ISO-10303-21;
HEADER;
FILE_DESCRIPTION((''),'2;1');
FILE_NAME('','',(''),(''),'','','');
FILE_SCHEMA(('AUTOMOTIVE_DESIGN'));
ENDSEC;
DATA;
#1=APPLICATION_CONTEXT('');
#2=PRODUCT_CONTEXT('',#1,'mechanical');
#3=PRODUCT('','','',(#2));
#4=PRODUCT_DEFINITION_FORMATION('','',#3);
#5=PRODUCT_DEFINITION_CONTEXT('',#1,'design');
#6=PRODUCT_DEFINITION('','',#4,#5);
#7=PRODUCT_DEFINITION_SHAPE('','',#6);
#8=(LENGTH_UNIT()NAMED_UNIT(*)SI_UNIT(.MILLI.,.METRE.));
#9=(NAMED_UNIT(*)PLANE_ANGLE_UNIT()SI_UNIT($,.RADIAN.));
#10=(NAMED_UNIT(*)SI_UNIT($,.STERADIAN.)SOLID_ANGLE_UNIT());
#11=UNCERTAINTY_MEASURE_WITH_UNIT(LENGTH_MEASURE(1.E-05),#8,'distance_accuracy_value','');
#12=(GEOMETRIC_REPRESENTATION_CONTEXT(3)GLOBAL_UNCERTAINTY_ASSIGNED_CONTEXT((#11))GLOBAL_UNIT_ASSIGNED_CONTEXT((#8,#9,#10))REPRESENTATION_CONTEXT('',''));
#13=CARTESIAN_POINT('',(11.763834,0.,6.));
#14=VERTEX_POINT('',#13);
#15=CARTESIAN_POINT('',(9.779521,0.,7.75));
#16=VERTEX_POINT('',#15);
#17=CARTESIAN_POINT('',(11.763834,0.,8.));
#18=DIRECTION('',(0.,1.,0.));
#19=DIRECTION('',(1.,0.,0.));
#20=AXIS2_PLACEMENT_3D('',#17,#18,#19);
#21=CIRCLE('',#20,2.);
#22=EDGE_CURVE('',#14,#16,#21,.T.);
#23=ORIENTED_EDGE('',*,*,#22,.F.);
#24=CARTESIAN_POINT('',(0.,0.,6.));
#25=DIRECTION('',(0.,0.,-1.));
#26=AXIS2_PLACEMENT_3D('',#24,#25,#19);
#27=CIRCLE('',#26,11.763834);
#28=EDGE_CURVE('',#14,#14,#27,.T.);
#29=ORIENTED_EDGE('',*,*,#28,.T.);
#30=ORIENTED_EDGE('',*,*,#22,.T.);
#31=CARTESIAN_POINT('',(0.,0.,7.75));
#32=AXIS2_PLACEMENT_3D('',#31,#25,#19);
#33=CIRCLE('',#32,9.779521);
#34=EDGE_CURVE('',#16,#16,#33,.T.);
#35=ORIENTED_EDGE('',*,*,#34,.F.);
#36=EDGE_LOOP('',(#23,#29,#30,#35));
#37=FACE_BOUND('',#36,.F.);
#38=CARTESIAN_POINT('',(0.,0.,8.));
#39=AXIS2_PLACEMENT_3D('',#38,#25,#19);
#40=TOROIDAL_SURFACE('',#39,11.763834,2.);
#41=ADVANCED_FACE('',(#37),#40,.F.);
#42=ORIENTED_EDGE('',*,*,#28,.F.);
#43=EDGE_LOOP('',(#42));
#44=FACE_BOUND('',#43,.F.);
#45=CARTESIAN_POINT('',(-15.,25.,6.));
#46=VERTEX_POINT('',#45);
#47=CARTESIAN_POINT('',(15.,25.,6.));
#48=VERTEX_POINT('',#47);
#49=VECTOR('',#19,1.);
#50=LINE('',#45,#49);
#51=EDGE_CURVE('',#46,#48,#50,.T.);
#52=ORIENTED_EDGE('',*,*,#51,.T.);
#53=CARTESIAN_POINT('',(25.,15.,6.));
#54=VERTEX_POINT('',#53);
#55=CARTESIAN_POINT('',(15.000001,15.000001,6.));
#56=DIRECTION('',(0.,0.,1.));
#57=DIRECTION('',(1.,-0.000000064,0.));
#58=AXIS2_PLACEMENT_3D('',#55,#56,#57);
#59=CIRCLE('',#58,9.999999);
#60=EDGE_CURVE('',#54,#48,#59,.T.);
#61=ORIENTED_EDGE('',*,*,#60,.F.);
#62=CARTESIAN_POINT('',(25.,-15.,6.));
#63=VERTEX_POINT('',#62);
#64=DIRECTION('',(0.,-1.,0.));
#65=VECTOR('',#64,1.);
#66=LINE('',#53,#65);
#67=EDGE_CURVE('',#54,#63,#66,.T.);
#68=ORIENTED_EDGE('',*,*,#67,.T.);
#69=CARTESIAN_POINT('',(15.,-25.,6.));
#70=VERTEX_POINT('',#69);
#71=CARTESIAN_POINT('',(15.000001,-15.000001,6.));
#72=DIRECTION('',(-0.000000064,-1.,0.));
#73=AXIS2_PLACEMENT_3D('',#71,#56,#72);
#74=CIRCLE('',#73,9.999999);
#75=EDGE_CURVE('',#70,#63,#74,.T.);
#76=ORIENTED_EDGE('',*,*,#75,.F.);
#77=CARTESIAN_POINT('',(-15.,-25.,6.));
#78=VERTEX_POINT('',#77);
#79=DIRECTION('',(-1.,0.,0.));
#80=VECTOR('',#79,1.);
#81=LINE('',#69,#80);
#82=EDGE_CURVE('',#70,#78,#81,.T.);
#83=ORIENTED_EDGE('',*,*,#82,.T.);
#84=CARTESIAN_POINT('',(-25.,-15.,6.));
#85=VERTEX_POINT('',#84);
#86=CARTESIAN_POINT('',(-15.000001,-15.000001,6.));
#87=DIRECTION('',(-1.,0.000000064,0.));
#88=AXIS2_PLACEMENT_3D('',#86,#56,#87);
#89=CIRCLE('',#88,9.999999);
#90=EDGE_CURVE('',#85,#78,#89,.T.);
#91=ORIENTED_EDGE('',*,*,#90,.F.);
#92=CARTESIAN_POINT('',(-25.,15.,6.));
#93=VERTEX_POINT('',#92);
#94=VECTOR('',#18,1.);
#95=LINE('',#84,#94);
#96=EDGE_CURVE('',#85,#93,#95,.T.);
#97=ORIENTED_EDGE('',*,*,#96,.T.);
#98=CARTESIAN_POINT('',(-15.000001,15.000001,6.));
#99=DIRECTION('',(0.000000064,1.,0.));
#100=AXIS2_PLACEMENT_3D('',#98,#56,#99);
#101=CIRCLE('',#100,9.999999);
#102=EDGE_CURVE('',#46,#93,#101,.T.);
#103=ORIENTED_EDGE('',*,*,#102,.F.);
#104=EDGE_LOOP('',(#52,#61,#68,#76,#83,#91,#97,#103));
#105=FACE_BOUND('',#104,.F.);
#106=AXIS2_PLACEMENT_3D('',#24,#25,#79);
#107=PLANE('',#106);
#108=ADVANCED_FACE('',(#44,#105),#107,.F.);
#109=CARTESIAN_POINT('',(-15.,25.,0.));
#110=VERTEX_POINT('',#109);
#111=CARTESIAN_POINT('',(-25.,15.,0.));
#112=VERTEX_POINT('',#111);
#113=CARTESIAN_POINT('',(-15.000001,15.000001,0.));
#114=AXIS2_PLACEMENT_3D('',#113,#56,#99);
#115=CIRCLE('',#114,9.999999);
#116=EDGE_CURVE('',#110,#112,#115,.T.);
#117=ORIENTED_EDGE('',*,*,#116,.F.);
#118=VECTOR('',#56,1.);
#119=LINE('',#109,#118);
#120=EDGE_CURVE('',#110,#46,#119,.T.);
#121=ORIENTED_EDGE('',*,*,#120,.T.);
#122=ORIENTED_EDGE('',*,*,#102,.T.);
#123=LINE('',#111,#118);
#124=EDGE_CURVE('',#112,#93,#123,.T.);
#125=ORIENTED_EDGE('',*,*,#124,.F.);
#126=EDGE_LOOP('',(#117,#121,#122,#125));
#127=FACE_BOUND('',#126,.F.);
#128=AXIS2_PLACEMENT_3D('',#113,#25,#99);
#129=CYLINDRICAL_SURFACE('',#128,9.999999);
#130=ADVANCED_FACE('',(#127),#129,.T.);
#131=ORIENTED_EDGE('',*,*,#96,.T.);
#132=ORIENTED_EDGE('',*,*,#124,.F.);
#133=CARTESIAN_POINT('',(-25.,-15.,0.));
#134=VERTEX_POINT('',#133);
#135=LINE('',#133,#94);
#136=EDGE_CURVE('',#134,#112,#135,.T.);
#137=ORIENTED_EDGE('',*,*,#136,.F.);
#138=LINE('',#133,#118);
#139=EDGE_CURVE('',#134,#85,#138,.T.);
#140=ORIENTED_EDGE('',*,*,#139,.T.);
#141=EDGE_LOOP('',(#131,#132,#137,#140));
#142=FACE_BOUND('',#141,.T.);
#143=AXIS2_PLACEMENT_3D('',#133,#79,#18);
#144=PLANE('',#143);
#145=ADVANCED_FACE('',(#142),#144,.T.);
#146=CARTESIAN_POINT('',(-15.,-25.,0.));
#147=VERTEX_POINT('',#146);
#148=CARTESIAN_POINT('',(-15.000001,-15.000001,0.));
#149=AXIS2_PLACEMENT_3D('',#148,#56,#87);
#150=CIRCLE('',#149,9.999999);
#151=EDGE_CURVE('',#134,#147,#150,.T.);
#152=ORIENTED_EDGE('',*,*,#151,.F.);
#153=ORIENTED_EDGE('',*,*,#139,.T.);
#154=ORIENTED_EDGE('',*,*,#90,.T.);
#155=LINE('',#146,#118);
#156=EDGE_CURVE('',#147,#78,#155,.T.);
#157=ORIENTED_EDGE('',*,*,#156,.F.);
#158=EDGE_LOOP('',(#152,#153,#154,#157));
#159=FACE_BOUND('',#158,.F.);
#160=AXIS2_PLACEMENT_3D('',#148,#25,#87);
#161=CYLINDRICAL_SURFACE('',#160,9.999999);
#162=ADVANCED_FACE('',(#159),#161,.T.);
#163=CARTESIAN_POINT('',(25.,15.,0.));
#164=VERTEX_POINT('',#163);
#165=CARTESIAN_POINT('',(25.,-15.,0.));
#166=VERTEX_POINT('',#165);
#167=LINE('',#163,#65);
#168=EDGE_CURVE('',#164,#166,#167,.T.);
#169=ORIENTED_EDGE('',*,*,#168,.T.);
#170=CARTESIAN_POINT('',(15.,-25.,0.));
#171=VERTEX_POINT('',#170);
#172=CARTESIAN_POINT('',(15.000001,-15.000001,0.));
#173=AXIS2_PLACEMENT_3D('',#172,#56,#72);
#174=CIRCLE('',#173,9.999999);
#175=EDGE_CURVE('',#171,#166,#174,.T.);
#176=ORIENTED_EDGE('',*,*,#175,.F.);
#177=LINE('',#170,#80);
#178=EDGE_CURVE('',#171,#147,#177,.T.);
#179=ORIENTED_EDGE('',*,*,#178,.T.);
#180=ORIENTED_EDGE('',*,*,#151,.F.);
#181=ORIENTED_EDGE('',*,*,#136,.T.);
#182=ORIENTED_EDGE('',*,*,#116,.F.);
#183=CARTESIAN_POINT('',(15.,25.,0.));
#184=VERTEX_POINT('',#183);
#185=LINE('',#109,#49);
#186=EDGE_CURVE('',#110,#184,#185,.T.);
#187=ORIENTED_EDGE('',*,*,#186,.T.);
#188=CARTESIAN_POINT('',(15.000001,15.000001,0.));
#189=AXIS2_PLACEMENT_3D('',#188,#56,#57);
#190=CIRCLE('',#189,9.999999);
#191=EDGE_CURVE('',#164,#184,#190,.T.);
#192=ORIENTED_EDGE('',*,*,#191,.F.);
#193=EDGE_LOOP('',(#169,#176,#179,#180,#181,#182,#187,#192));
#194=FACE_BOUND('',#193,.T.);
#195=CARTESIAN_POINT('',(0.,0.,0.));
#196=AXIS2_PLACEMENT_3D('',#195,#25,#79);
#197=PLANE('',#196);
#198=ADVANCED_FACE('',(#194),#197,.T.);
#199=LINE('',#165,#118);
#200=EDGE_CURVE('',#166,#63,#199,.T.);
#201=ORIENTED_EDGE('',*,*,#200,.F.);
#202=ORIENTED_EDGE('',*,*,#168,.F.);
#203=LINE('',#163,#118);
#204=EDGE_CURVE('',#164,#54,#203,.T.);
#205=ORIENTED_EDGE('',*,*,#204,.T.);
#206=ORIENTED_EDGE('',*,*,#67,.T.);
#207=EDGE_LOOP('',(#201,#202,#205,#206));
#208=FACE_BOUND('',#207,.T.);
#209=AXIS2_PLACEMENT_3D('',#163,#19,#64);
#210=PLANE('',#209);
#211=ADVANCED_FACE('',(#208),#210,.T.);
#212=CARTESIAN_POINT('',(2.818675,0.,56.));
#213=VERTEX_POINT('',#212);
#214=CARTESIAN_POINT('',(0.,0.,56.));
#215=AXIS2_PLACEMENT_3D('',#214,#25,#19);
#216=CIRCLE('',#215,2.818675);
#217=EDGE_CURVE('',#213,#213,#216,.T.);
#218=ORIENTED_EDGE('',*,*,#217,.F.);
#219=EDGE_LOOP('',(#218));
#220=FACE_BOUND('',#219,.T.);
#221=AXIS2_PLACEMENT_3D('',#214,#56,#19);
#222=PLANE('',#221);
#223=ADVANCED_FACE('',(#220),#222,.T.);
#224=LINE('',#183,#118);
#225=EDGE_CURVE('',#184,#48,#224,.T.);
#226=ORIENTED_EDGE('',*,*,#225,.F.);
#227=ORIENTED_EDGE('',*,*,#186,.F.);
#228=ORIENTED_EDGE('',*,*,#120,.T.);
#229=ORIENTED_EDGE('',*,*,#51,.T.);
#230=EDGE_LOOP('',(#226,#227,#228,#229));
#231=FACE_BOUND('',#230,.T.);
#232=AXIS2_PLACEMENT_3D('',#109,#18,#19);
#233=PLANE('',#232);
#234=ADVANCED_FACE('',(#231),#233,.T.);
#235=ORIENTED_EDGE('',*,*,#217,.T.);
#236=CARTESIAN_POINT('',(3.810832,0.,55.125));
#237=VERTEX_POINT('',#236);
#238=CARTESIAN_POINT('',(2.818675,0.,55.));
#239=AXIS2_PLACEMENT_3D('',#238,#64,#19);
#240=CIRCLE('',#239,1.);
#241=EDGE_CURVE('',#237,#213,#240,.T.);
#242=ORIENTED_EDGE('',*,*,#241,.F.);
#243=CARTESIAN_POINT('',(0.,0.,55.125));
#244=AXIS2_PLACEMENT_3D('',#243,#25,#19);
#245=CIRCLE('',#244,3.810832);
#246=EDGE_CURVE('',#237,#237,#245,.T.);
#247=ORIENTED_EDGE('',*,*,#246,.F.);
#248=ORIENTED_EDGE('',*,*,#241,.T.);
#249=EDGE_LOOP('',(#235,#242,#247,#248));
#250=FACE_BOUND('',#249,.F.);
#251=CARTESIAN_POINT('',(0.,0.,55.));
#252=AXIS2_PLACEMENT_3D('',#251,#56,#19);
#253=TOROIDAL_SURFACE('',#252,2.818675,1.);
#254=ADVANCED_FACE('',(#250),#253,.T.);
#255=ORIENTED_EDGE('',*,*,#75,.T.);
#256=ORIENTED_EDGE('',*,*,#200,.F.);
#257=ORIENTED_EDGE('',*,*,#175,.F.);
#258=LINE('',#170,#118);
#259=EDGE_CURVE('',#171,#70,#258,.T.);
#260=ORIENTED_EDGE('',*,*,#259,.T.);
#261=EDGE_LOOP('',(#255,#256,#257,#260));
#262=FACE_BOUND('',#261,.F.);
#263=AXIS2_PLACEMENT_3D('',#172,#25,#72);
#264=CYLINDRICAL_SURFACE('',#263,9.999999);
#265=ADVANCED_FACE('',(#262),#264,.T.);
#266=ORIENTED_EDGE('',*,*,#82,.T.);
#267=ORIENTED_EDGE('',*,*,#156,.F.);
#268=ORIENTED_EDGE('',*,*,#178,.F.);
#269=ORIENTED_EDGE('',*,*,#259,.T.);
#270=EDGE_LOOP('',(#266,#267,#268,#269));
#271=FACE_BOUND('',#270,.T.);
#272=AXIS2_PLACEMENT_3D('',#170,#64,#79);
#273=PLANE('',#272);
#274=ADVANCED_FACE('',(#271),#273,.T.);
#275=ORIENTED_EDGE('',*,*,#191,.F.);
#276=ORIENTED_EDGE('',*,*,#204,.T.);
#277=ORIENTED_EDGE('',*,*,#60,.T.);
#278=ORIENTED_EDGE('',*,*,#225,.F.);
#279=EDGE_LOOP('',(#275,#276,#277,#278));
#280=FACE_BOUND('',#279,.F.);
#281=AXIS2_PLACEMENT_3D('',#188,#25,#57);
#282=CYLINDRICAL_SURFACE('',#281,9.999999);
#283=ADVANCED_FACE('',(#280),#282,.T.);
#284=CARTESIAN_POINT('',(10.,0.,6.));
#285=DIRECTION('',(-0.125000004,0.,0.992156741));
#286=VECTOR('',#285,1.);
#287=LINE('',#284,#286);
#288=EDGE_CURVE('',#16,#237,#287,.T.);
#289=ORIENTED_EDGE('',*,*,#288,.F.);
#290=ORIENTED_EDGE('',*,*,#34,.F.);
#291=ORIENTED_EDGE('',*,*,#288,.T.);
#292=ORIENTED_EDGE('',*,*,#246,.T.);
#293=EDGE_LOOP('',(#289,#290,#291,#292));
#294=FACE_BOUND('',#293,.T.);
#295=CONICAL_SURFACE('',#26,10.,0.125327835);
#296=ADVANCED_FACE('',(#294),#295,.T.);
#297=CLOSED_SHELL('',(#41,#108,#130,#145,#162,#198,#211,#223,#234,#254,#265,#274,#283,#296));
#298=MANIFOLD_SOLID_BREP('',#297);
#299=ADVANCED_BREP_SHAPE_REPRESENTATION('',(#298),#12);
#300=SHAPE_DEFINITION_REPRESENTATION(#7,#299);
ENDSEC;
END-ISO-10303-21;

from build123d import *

# Parameters (mm, degrees)
PAD_DEPTH    = 6
SKETCH001_R  = 10
PAD001_DEPTH = 50
PAD001_TAPER = 7.180756
FILLET_R     = 2
FILLET001_R  = 1


with BuildPart() as part:
    # Sketch → Pad (new body)
    with BuildSketch(Plane.XY):
        with BuildLine():
            Line((15, -25), (-15, -25))
            ThreePointArc((-25, -15), (-22.071068, -22.071068), (-15, -25))
            Line((-25, -15), (-25, 15))
            ThreePointArc((-15, 25), (-22.071068, 22.071068), (-25, 15))
            Line((-15, 25), (15, 25))
            ThreePointArc((25, 15), (22.071068, 22.071068), (15, 25))
            Line((25, 15), (25, -15))
            ThreePointArc((15, -25), (22.071068, -22.071068), (25, -15))
        make_face()
    extrude(amount=PAD_DEPTH)

    # Sketch001 (on Face10 of Pad) → Pad001 (join)
    with BuildSketch(Plane.XY.offset(6)):
        Circle(SKETCH001_R)
    extrude(amount=PAD001_DEPTH, taper=PAD001_TAPER)

    # Fillet
    fillet_edges = [part.edges().sort_by_distance(p)[0] for p in [
        (-10, 0, 6),
    ]]
    fillet(fillet_edges, radius=FILLET_R)

    # Fillet001
    fillet001_edges = [part.edges().sort_by_distance(p)[0] for p in [
        (-3.700592, 0, 56),
    ]]
    fillet(fillet001_edges, radius=FILLET001_R)


solid = part.part
